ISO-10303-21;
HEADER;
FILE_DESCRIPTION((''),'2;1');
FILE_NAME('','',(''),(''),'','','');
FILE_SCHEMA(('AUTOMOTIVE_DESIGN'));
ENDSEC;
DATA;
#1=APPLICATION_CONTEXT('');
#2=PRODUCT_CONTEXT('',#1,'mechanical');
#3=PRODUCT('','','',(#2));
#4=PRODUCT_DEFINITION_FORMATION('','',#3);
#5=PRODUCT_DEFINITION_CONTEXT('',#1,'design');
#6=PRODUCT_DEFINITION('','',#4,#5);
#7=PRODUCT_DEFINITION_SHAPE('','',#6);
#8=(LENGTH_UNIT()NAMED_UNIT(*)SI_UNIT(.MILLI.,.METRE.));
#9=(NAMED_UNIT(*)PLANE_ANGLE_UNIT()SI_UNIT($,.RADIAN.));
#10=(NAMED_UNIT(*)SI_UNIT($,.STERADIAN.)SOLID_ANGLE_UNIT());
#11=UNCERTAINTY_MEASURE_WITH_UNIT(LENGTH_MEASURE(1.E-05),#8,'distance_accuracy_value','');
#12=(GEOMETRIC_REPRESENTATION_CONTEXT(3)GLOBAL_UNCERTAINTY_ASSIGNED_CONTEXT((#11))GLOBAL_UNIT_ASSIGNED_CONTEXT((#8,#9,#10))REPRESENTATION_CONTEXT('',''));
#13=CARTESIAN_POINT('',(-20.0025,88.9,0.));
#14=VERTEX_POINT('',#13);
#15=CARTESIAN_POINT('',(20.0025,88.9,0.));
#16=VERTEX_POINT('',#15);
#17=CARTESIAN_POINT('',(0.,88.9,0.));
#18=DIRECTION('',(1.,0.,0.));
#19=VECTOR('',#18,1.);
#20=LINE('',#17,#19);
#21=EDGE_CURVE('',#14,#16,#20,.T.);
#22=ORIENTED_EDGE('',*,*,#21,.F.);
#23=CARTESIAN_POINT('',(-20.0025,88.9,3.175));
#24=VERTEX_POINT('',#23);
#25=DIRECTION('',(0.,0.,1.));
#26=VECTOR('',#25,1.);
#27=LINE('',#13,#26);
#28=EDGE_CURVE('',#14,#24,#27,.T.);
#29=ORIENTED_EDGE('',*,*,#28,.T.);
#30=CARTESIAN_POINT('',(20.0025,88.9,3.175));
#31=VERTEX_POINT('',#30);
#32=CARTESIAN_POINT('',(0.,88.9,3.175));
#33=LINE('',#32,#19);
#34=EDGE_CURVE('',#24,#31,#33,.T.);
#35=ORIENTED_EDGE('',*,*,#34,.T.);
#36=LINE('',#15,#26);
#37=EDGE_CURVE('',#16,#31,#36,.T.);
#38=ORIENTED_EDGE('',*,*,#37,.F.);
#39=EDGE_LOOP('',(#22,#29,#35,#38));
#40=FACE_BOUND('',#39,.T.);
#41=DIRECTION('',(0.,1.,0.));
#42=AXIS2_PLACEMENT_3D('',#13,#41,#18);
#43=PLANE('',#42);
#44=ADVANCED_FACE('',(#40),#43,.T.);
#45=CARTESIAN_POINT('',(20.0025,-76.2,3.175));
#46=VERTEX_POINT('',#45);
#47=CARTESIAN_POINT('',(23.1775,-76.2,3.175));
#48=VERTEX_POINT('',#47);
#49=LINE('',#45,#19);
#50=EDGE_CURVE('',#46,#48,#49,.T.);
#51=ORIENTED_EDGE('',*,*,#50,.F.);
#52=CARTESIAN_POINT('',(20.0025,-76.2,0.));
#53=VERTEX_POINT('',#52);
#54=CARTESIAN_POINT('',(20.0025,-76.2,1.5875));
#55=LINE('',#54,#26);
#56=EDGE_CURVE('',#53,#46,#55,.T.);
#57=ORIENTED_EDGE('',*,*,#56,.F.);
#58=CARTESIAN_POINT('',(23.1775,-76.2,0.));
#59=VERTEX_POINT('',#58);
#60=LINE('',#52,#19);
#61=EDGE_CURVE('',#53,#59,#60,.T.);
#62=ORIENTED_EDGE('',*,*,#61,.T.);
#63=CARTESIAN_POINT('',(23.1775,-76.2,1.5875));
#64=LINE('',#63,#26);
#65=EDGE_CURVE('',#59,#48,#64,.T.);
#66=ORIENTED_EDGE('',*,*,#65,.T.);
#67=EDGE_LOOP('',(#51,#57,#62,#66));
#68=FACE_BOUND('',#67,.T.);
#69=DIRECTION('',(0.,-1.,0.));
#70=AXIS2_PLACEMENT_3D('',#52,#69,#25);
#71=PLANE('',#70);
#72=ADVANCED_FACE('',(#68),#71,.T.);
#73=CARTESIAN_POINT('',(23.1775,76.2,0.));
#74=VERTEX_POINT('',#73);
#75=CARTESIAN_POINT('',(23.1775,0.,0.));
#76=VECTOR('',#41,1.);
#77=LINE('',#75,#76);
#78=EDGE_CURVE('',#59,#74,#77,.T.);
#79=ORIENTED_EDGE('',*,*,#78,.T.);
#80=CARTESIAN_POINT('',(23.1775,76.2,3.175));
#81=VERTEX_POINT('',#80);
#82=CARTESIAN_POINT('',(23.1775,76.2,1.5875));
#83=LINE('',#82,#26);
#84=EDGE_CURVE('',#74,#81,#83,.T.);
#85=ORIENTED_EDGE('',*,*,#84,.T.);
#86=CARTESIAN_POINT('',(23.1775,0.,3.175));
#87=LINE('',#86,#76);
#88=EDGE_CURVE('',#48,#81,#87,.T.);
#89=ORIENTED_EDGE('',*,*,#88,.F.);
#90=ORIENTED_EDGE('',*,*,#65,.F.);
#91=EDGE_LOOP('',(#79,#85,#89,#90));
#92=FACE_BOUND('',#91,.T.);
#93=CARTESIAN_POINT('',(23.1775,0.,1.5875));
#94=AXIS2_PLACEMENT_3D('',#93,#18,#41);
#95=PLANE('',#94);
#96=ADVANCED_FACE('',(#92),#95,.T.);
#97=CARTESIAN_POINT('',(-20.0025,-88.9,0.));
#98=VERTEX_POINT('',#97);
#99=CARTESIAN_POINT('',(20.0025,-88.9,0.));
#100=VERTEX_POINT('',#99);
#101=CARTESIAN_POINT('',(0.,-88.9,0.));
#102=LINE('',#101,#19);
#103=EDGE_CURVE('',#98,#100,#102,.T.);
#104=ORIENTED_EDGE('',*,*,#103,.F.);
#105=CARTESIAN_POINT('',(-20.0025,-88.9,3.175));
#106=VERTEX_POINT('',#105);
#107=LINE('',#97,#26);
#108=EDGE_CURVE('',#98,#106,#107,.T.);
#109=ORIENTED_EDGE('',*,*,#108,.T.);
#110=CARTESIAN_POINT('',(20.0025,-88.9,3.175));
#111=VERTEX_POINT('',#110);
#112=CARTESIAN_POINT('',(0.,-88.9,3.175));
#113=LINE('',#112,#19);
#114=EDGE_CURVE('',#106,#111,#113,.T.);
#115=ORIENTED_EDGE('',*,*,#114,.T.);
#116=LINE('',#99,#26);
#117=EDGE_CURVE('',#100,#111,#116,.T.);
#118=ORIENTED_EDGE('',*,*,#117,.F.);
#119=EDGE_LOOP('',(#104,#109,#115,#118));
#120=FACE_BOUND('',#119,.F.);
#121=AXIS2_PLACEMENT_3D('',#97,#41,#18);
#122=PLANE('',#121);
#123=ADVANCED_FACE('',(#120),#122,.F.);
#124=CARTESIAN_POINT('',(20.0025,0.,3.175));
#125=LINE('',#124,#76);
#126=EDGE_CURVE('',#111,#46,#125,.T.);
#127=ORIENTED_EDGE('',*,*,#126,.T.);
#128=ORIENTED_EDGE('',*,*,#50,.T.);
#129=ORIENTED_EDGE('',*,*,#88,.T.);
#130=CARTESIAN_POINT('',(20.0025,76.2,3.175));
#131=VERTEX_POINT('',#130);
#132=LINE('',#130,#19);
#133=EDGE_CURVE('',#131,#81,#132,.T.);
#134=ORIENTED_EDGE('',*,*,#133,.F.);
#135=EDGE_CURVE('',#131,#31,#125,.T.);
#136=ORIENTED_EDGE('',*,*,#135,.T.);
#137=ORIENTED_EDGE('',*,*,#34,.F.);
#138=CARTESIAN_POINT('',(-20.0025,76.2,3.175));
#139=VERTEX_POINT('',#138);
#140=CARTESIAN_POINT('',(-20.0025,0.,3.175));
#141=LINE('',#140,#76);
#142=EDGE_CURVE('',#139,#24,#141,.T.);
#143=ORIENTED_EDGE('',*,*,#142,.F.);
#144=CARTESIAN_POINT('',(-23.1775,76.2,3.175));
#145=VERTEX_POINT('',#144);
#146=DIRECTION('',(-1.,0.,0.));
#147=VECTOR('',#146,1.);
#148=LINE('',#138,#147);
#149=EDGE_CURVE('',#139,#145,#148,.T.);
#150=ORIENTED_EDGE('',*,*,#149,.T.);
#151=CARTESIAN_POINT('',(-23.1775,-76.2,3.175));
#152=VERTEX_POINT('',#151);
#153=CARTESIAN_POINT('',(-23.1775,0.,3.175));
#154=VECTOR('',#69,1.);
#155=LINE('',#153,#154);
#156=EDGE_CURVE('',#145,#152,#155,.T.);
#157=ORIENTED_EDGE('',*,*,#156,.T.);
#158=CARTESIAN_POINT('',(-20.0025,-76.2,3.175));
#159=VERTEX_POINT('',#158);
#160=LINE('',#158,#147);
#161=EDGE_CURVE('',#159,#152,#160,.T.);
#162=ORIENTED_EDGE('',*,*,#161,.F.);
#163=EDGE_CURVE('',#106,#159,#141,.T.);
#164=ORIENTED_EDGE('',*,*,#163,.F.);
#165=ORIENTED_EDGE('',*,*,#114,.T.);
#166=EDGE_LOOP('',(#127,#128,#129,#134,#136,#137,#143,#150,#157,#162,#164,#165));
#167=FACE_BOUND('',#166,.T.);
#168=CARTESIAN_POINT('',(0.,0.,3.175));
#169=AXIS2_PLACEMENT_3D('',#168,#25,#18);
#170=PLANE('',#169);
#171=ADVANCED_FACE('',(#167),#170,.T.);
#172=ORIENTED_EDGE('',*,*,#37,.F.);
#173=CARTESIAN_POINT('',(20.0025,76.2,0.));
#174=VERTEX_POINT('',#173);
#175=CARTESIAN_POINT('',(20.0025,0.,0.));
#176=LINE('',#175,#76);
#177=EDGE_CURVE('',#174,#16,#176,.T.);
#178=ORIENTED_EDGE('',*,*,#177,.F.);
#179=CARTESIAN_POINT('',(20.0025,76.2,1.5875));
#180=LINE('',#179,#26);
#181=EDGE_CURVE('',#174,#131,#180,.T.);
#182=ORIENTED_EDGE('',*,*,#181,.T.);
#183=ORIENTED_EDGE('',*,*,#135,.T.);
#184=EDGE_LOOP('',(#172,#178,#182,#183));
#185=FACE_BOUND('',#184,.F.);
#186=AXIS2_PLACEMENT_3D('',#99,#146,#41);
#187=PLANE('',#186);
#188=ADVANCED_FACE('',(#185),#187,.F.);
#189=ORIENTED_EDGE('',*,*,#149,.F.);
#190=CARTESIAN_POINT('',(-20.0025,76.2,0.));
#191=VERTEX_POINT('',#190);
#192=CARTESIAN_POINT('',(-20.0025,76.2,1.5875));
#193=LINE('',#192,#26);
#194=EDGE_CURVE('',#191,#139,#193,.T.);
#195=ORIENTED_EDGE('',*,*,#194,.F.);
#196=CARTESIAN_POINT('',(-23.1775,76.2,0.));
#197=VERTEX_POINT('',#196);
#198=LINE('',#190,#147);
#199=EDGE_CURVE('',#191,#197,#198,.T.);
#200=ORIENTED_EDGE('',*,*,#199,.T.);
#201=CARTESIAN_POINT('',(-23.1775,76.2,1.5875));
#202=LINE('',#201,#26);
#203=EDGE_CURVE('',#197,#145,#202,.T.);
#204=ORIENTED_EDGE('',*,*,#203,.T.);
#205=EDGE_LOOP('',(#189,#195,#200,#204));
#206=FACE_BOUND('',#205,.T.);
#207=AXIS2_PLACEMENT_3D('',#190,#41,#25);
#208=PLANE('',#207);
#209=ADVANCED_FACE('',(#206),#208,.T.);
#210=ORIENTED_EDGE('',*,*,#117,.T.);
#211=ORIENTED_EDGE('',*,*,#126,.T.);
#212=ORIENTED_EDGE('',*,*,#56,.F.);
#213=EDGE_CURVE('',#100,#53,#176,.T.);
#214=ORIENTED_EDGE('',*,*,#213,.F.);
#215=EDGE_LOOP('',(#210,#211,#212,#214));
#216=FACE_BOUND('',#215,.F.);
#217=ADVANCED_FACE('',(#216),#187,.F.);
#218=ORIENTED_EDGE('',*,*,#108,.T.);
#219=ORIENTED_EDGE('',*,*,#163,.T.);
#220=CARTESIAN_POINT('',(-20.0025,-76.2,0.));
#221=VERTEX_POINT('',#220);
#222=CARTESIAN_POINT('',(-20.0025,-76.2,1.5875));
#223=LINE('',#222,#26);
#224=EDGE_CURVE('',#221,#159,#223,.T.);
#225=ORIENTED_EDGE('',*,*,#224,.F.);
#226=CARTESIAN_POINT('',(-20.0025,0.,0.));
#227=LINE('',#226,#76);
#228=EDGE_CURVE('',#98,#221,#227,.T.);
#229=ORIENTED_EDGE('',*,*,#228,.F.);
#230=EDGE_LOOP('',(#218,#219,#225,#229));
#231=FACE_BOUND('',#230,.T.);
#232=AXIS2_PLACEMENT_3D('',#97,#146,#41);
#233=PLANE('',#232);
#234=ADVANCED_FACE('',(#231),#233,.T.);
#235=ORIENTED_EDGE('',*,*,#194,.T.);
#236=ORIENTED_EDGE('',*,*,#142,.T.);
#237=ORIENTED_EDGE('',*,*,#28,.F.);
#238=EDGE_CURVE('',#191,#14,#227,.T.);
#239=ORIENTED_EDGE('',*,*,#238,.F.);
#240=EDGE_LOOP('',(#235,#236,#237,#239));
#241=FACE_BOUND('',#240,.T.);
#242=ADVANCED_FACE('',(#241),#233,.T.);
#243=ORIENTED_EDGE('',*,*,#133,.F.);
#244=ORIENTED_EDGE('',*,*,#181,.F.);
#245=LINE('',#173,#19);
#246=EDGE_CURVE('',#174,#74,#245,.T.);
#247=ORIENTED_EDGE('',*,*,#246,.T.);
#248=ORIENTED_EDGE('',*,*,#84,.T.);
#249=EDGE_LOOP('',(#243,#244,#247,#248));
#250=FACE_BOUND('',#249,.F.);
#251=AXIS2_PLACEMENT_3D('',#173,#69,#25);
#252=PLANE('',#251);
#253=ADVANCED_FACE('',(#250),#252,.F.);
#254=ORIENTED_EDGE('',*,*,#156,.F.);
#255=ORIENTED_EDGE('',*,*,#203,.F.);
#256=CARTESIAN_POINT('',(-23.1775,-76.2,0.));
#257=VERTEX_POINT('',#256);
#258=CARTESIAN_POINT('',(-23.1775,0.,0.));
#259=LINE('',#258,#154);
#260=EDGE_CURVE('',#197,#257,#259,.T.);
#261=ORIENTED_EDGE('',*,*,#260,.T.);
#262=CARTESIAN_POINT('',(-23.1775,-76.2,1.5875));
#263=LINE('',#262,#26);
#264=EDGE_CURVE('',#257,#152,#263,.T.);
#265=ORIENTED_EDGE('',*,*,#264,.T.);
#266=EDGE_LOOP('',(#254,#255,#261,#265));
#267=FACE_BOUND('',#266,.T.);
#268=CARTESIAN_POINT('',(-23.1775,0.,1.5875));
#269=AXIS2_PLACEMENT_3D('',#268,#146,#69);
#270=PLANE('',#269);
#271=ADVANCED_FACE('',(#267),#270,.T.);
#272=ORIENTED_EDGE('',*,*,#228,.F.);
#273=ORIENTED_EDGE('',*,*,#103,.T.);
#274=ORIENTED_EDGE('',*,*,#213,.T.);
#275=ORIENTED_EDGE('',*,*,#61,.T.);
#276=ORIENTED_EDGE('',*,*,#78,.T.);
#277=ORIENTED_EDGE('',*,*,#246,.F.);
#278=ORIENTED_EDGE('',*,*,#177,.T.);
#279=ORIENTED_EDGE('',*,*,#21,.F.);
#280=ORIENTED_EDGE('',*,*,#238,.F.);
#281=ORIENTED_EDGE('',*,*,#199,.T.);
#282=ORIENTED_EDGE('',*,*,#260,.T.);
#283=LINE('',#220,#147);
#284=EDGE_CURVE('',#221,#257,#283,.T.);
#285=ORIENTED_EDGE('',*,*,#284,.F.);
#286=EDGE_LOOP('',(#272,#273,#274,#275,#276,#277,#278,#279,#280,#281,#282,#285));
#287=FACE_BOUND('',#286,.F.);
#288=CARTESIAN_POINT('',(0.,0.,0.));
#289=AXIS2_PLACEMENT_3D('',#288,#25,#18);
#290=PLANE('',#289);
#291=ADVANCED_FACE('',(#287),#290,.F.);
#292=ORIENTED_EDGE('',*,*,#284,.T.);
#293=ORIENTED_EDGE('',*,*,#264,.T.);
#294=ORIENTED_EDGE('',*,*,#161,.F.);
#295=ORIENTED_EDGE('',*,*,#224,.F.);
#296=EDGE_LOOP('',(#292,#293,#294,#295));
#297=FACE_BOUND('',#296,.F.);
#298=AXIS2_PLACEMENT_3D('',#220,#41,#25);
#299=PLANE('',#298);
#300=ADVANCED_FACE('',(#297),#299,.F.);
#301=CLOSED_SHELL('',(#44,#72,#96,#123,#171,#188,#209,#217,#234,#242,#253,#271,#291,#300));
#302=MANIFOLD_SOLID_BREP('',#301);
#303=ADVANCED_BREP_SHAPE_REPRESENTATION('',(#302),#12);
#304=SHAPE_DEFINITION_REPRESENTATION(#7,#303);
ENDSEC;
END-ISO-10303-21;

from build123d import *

# Parameters (mm, degrees)
F0_W     = 40.005
F0_H     = 177.8
F1_DEPTH = 3.175
F2_W     = 152.4
F2_H     = 3.175
F3_DEPTH = 3.175
F4_W     = 152.4
F4_H     = 3.175
F5_DEPTH = 3.175


with BuildPart() as f1:
    # F0 (on Top) → F1 (new body)
    with BuildSketch(Plane.XY):
        Rectangle(F0_W, F0_H)
    extrude(amount=F1_DEPTH)

    # F2 (on face) → F3 (join)
    with BuildSketch(Plane(origin=(-20.0025, 0, 0), x_dir=(0, -1, 0), z_dir=(-1, 0, 0))):
        with Locations((0, 1.5875)):
            Rectangle(F2_W, F2_H)
    extrude(amount=F3_DEPTH)

    # F4 (on face) → F5 (join)
    with BuildSketch(Plane.YZ.offset(20.0025)):
        with Locations((0, 1.5875)):
            Rectangle(F4_W, F4_H)
    extrude(amount=F5_DEPTH)


solid = f1.part
